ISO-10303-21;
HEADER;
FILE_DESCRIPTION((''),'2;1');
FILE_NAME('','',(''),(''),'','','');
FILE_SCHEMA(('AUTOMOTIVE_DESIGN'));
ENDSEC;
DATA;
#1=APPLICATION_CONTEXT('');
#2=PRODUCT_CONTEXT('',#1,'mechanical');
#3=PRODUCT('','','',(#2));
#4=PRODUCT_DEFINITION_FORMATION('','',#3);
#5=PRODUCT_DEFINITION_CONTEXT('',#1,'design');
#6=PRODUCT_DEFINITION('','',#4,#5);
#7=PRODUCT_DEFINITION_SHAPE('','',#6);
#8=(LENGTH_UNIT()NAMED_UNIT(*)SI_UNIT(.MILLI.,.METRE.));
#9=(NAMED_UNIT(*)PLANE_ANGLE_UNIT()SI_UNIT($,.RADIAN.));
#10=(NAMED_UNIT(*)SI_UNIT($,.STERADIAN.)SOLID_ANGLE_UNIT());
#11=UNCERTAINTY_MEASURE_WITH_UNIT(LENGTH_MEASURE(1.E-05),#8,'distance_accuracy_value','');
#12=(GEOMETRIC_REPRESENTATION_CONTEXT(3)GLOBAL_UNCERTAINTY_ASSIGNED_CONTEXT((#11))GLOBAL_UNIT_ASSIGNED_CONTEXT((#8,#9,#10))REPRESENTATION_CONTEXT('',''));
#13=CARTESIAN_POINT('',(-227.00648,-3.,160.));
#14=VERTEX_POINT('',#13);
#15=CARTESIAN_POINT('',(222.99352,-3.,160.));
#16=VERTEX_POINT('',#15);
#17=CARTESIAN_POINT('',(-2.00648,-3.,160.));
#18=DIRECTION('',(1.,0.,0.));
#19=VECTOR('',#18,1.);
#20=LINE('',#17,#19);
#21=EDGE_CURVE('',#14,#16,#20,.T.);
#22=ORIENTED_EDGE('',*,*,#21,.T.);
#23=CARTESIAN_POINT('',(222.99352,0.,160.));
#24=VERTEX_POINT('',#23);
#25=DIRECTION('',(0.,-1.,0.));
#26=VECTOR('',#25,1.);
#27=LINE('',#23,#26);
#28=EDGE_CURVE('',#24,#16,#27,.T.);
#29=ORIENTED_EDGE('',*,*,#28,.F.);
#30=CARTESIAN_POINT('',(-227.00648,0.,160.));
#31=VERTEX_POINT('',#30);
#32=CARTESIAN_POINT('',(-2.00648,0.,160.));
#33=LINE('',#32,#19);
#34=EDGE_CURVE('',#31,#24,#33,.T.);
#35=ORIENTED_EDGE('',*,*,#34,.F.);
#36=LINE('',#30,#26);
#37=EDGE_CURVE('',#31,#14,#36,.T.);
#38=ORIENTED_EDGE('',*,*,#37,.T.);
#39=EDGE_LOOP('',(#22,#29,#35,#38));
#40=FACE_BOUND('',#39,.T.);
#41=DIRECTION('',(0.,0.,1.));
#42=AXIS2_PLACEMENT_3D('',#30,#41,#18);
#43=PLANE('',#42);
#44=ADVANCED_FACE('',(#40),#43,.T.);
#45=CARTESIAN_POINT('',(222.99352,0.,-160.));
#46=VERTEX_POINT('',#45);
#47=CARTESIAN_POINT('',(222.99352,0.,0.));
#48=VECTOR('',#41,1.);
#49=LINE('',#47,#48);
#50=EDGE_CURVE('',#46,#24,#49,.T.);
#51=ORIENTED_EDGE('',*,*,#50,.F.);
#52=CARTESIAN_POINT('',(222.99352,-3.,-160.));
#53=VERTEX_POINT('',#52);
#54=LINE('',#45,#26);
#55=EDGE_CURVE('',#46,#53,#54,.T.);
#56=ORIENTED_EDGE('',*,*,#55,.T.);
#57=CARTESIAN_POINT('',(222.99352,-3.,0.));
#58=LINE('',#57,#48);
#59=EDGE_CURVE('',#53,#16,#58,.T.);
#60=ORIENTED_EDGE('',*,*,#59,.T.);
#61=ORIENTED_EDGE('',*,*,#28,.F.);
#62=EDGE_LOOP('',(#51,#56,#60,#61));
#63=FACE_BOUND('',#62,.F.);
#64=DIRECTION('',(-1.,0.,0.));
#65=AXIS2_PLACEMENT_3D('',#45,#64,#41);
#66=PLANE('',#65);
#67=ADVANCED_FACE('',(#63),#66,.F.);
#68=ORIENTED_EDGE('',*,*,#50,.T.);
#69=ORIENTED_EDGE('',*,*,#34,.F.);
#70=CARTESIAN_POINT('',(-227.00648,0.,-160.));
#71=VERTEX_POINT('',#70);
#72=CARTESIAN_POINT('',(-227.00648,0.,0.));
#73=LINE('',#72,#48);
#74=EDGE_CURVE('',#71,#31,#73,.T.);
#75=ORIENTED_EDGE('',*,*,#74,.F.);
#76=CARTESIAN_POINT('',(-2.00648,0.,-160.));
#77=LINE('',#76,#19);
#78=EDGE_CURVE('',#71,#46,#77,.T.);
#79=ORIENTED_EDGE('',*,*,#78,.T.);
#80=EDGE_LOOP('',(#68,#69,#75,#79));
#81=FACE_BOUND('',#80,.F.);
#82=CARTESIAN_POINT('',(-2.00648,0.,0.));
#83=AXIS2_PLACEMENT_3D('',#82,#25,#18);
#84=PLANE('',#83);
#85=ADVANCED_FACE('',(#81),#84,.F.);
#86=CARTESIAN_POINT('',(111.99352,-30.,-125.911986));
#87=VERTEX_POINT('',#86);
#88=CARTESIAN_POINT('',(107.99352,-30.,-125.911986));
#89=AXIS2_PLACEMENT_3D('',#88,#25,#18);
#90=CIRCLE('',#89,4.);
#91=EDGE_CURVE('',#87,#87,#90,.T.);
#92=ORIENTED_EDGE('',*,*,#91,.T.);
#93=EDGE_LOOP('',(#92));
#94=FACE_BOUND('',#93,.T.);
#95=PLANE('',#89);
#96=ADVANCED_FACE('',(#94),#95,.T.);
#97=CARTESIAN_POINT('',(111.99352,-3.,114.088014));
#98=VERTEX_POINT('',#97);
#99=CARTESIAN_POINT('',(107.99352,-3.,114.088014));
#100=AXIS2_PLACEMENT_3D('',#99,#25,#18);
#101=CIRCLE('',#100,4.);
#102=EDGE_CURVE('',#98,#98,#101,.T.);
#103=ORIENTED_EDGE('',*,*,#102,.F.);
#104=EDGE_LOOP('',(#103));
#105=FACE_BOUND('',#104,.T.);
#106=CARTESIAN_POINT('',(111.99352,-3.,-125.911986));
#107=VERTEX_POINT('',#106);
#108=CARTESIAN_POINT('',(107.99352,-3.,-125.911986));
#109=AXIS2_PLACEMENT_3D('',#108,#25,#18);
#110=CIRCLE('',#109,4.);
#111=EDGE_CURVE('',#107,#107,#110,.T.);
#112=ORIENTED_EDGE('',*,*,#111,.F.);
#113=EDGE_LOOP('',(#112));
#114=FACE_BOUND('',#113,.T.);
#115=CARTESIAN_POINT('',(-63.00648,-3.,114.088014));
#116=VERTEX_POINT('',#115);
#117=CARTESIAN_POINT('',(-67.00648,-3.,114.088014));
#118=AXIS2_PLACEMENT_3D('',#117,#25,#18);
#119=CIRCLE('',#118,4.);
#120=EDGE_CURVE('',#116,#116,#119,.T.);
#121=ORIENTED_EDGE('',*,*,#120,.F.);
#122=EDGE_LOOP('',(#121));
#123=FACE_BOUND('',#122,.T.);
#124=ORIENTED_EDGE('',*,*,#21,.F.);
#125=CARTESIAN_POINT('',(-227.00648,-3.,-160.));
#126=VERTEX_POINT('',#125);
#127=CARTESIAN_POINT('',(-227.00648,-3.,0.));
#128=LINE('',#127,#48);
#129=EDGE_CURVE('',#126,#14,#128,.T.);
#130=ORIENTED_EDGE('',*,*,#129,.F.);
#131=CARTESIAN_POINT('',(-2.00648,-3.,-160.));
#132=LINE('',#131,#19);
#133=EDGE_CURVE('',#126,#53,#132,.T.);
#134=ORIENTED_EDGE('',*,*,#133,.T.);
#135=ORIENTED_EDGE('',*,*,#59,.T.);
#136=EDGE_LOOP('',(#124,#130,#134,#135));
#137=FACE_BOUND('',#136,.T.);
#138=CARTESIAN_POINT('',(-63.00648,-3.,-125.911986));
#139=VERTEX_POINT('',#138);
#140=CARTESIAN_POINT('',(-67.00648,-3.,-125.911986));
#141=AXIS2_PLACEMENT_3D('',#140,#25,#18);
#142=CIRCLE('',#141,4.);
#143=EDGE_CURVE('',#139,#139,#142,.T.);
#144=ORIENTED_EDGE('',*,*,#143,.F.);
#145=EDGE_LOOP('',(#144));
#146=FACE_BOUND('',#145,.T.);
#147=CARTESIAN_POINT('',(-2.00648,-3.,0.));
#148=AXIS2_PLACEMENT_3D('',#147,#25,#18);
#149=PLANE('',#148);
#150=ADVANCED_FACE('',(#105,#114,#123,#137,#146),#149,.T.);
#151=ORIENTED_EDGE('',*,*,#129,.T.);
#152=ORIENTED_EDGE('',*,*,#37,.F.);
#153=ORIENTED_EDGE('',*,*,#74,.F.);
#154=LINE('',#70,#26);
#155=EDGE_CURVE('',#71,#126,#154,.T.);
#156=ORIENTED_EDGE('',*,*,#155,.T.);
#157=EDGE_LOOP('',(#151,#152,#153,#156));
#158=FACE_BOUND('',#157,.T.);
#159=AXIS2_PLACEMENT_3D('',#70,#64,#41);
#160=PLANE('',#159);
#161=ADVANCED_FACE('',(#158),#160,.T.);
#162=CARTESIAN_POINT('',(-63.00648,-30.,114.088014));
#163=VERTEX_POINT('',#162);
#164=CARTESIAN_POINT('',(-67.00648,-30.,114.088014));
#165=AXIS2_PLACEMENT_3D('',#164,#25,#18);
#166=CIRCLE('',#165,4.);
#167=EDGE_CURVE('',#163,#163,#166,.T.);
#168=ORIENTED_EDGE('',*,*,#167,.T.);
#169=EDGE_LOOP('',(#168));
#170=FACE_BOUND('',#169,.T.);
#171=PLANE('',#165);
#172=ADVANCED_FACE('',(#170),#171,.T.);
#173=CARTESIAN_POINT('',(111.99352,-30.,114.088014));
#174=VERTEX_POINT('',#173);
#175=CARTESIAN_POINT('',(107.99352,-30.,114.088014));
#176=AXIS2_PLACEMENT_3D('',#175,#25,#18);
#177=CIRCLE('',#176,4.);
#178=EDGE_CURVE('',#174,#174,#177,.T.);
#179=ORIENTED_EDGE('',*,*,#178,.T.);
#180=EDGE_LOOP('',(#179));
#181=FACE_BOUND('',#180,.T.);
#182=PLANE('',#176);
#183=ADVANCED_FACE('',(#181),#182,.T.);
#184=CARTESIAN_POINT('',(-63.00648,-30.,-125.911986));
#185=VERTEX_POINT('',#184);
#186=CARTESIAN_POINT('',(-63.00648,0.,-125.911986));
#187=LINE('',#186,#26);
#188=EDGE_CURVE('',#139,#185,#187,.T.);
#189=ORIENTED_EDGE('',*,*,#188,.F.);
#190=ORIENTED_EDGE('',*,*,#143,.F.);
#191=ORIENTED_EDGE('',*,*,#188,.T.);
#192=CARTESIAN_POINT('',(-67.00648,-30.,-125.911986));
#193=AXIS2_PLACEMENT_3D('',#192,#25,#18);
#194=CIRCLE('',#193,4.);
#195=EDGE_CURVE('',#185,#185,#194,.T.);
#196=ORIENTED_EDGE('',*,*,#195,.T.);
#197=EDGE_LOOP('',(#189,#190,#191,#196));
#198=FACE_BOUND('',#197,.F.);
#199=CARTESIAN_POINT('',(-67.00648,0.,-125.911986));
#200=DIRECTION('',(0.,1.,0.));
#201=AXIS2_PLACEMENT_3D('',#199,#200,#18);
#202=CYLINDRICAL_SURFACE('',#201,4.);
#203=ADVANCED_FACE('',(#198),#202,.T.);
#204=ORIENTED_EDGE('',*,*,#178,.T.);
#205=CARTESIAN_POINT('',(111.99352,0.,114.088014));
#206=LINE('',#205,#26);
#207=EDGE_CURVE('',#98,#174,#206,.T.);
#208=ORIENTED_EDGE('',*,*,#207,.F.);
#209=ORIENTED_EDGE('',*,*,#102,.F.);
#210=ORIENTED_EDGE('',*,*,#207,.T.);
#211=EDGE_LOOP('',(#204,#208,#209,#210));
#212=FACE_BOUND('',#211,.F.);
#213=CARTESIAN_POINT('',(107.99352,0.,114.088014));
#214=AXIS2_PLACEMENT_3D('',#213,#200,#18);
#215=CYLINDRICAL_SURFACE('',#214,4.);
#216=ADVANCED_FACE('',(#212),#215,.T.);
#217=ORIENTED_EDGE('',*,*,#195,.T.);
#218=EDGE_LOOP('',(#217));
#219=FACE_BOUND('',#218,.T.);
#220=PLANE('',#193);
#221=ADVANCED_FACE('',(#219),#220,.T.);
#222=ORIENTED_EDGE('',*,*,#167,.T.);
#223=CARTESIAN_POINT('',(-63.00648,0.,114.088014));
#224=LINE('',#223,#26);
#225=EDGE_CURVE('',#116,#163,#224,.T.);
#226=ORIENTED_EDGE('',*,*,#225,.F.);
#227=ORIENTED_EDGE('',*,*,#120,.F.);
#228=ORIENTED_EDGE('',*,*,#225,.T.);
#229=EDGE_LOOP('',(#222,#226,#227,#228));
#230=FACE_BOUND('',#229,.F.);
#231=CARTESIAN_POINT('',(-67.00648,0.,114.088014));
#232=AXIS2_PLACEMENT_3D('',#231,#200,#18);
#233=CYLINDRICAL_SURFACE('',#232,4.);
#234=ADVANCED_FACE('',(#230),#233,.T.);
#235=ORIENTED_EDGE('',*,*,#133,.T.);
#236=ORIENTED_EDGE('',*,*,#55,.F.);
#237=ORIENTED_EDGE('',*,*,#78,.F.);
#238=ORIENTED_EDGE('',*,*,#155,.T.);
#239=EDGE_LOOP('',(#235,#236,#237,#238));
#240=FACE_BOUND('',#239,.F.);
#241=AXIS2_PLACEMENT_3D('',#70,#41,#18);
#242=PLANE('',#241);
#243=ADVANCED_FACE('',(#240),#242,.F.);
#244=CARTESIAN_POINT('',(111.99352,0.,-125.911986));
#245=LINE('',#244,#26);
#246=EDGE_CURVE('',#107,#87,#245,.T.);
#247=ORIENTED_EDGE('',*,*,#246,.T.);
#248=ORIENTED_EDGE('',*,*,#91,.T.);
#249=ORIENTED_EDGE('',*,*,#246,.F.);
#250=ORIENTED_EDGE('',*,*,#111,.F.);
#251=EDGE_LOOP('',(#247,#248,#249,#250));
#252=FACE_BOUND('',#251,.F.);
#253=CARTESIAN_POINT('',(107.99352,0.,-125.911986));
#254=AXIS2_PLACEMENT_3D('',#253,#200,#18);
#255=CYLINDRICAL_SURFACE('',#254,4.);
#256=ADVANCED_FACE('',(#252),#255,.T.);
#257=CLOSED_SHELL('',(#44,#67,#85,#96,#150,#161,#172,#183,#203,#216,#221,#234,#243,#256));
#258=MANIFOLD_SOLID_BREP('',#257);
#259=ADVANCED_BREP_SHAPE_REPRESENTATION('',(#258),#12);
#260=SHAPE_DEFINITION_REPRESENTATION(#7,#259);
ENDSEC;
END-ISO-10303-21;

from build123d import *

# Parameters (mm, degrees)
F0_W     = 450
F0_H     = 320
F0_W_2   = 210
F0_H_2   = 300
F0_R     = 4
F1_DEPTH = 3
F2_DEPTH = 30


with BuildPart() as f1:
    # F0 (on Front) → F1 (new body)
    with BuildSketch(Plane.XZ):
        with Locations((-2.00648, 0)):
            Rectangle(F0_W, F0_H)
        with Locations((19.817507, 0)):
            Rectangle(F0_W_2, F0_H_2, mode=Mode.SUBTRACT)
        with Locations((19.817507, 0)):
            Rectangle(F0_W_2, F0_H_2)
        with Locations((-67.00648, -125.911986)):
            Circle(F0_R, mode=Mode.SUBTRACT)
        with Locations((107.99352, -125.911986)):
            Circle(F0_R, mode=Mode.SUBTRACT)
        with Locations((-67.00648, 114.088014)):
            Circle(F0_R, mode=Mode.SUBTRACT)
        with Locations((107.99352, 114.088014)):
            Circle(F0_R, mode=Mode.SUBTRACT)
    extrude(amount=F1_DEPTH)

    # F0 (on Front) → F2 (join)
    with BuildSketch(Plane.XZ):
        with Locations((-67.00648, 114.088014)):
            Circle(F0_R)
        with Locations((107.99352, 114.088014)):
            Circle(F0_R)
        with Locations((-67.00648, -125.911986)):
            Circle(F0_R)
        with Locations((107.99352, -125.911986)):
            Circle(F0_R)
    extrude(amount=F2_DEPTH)


solid = f1.part
